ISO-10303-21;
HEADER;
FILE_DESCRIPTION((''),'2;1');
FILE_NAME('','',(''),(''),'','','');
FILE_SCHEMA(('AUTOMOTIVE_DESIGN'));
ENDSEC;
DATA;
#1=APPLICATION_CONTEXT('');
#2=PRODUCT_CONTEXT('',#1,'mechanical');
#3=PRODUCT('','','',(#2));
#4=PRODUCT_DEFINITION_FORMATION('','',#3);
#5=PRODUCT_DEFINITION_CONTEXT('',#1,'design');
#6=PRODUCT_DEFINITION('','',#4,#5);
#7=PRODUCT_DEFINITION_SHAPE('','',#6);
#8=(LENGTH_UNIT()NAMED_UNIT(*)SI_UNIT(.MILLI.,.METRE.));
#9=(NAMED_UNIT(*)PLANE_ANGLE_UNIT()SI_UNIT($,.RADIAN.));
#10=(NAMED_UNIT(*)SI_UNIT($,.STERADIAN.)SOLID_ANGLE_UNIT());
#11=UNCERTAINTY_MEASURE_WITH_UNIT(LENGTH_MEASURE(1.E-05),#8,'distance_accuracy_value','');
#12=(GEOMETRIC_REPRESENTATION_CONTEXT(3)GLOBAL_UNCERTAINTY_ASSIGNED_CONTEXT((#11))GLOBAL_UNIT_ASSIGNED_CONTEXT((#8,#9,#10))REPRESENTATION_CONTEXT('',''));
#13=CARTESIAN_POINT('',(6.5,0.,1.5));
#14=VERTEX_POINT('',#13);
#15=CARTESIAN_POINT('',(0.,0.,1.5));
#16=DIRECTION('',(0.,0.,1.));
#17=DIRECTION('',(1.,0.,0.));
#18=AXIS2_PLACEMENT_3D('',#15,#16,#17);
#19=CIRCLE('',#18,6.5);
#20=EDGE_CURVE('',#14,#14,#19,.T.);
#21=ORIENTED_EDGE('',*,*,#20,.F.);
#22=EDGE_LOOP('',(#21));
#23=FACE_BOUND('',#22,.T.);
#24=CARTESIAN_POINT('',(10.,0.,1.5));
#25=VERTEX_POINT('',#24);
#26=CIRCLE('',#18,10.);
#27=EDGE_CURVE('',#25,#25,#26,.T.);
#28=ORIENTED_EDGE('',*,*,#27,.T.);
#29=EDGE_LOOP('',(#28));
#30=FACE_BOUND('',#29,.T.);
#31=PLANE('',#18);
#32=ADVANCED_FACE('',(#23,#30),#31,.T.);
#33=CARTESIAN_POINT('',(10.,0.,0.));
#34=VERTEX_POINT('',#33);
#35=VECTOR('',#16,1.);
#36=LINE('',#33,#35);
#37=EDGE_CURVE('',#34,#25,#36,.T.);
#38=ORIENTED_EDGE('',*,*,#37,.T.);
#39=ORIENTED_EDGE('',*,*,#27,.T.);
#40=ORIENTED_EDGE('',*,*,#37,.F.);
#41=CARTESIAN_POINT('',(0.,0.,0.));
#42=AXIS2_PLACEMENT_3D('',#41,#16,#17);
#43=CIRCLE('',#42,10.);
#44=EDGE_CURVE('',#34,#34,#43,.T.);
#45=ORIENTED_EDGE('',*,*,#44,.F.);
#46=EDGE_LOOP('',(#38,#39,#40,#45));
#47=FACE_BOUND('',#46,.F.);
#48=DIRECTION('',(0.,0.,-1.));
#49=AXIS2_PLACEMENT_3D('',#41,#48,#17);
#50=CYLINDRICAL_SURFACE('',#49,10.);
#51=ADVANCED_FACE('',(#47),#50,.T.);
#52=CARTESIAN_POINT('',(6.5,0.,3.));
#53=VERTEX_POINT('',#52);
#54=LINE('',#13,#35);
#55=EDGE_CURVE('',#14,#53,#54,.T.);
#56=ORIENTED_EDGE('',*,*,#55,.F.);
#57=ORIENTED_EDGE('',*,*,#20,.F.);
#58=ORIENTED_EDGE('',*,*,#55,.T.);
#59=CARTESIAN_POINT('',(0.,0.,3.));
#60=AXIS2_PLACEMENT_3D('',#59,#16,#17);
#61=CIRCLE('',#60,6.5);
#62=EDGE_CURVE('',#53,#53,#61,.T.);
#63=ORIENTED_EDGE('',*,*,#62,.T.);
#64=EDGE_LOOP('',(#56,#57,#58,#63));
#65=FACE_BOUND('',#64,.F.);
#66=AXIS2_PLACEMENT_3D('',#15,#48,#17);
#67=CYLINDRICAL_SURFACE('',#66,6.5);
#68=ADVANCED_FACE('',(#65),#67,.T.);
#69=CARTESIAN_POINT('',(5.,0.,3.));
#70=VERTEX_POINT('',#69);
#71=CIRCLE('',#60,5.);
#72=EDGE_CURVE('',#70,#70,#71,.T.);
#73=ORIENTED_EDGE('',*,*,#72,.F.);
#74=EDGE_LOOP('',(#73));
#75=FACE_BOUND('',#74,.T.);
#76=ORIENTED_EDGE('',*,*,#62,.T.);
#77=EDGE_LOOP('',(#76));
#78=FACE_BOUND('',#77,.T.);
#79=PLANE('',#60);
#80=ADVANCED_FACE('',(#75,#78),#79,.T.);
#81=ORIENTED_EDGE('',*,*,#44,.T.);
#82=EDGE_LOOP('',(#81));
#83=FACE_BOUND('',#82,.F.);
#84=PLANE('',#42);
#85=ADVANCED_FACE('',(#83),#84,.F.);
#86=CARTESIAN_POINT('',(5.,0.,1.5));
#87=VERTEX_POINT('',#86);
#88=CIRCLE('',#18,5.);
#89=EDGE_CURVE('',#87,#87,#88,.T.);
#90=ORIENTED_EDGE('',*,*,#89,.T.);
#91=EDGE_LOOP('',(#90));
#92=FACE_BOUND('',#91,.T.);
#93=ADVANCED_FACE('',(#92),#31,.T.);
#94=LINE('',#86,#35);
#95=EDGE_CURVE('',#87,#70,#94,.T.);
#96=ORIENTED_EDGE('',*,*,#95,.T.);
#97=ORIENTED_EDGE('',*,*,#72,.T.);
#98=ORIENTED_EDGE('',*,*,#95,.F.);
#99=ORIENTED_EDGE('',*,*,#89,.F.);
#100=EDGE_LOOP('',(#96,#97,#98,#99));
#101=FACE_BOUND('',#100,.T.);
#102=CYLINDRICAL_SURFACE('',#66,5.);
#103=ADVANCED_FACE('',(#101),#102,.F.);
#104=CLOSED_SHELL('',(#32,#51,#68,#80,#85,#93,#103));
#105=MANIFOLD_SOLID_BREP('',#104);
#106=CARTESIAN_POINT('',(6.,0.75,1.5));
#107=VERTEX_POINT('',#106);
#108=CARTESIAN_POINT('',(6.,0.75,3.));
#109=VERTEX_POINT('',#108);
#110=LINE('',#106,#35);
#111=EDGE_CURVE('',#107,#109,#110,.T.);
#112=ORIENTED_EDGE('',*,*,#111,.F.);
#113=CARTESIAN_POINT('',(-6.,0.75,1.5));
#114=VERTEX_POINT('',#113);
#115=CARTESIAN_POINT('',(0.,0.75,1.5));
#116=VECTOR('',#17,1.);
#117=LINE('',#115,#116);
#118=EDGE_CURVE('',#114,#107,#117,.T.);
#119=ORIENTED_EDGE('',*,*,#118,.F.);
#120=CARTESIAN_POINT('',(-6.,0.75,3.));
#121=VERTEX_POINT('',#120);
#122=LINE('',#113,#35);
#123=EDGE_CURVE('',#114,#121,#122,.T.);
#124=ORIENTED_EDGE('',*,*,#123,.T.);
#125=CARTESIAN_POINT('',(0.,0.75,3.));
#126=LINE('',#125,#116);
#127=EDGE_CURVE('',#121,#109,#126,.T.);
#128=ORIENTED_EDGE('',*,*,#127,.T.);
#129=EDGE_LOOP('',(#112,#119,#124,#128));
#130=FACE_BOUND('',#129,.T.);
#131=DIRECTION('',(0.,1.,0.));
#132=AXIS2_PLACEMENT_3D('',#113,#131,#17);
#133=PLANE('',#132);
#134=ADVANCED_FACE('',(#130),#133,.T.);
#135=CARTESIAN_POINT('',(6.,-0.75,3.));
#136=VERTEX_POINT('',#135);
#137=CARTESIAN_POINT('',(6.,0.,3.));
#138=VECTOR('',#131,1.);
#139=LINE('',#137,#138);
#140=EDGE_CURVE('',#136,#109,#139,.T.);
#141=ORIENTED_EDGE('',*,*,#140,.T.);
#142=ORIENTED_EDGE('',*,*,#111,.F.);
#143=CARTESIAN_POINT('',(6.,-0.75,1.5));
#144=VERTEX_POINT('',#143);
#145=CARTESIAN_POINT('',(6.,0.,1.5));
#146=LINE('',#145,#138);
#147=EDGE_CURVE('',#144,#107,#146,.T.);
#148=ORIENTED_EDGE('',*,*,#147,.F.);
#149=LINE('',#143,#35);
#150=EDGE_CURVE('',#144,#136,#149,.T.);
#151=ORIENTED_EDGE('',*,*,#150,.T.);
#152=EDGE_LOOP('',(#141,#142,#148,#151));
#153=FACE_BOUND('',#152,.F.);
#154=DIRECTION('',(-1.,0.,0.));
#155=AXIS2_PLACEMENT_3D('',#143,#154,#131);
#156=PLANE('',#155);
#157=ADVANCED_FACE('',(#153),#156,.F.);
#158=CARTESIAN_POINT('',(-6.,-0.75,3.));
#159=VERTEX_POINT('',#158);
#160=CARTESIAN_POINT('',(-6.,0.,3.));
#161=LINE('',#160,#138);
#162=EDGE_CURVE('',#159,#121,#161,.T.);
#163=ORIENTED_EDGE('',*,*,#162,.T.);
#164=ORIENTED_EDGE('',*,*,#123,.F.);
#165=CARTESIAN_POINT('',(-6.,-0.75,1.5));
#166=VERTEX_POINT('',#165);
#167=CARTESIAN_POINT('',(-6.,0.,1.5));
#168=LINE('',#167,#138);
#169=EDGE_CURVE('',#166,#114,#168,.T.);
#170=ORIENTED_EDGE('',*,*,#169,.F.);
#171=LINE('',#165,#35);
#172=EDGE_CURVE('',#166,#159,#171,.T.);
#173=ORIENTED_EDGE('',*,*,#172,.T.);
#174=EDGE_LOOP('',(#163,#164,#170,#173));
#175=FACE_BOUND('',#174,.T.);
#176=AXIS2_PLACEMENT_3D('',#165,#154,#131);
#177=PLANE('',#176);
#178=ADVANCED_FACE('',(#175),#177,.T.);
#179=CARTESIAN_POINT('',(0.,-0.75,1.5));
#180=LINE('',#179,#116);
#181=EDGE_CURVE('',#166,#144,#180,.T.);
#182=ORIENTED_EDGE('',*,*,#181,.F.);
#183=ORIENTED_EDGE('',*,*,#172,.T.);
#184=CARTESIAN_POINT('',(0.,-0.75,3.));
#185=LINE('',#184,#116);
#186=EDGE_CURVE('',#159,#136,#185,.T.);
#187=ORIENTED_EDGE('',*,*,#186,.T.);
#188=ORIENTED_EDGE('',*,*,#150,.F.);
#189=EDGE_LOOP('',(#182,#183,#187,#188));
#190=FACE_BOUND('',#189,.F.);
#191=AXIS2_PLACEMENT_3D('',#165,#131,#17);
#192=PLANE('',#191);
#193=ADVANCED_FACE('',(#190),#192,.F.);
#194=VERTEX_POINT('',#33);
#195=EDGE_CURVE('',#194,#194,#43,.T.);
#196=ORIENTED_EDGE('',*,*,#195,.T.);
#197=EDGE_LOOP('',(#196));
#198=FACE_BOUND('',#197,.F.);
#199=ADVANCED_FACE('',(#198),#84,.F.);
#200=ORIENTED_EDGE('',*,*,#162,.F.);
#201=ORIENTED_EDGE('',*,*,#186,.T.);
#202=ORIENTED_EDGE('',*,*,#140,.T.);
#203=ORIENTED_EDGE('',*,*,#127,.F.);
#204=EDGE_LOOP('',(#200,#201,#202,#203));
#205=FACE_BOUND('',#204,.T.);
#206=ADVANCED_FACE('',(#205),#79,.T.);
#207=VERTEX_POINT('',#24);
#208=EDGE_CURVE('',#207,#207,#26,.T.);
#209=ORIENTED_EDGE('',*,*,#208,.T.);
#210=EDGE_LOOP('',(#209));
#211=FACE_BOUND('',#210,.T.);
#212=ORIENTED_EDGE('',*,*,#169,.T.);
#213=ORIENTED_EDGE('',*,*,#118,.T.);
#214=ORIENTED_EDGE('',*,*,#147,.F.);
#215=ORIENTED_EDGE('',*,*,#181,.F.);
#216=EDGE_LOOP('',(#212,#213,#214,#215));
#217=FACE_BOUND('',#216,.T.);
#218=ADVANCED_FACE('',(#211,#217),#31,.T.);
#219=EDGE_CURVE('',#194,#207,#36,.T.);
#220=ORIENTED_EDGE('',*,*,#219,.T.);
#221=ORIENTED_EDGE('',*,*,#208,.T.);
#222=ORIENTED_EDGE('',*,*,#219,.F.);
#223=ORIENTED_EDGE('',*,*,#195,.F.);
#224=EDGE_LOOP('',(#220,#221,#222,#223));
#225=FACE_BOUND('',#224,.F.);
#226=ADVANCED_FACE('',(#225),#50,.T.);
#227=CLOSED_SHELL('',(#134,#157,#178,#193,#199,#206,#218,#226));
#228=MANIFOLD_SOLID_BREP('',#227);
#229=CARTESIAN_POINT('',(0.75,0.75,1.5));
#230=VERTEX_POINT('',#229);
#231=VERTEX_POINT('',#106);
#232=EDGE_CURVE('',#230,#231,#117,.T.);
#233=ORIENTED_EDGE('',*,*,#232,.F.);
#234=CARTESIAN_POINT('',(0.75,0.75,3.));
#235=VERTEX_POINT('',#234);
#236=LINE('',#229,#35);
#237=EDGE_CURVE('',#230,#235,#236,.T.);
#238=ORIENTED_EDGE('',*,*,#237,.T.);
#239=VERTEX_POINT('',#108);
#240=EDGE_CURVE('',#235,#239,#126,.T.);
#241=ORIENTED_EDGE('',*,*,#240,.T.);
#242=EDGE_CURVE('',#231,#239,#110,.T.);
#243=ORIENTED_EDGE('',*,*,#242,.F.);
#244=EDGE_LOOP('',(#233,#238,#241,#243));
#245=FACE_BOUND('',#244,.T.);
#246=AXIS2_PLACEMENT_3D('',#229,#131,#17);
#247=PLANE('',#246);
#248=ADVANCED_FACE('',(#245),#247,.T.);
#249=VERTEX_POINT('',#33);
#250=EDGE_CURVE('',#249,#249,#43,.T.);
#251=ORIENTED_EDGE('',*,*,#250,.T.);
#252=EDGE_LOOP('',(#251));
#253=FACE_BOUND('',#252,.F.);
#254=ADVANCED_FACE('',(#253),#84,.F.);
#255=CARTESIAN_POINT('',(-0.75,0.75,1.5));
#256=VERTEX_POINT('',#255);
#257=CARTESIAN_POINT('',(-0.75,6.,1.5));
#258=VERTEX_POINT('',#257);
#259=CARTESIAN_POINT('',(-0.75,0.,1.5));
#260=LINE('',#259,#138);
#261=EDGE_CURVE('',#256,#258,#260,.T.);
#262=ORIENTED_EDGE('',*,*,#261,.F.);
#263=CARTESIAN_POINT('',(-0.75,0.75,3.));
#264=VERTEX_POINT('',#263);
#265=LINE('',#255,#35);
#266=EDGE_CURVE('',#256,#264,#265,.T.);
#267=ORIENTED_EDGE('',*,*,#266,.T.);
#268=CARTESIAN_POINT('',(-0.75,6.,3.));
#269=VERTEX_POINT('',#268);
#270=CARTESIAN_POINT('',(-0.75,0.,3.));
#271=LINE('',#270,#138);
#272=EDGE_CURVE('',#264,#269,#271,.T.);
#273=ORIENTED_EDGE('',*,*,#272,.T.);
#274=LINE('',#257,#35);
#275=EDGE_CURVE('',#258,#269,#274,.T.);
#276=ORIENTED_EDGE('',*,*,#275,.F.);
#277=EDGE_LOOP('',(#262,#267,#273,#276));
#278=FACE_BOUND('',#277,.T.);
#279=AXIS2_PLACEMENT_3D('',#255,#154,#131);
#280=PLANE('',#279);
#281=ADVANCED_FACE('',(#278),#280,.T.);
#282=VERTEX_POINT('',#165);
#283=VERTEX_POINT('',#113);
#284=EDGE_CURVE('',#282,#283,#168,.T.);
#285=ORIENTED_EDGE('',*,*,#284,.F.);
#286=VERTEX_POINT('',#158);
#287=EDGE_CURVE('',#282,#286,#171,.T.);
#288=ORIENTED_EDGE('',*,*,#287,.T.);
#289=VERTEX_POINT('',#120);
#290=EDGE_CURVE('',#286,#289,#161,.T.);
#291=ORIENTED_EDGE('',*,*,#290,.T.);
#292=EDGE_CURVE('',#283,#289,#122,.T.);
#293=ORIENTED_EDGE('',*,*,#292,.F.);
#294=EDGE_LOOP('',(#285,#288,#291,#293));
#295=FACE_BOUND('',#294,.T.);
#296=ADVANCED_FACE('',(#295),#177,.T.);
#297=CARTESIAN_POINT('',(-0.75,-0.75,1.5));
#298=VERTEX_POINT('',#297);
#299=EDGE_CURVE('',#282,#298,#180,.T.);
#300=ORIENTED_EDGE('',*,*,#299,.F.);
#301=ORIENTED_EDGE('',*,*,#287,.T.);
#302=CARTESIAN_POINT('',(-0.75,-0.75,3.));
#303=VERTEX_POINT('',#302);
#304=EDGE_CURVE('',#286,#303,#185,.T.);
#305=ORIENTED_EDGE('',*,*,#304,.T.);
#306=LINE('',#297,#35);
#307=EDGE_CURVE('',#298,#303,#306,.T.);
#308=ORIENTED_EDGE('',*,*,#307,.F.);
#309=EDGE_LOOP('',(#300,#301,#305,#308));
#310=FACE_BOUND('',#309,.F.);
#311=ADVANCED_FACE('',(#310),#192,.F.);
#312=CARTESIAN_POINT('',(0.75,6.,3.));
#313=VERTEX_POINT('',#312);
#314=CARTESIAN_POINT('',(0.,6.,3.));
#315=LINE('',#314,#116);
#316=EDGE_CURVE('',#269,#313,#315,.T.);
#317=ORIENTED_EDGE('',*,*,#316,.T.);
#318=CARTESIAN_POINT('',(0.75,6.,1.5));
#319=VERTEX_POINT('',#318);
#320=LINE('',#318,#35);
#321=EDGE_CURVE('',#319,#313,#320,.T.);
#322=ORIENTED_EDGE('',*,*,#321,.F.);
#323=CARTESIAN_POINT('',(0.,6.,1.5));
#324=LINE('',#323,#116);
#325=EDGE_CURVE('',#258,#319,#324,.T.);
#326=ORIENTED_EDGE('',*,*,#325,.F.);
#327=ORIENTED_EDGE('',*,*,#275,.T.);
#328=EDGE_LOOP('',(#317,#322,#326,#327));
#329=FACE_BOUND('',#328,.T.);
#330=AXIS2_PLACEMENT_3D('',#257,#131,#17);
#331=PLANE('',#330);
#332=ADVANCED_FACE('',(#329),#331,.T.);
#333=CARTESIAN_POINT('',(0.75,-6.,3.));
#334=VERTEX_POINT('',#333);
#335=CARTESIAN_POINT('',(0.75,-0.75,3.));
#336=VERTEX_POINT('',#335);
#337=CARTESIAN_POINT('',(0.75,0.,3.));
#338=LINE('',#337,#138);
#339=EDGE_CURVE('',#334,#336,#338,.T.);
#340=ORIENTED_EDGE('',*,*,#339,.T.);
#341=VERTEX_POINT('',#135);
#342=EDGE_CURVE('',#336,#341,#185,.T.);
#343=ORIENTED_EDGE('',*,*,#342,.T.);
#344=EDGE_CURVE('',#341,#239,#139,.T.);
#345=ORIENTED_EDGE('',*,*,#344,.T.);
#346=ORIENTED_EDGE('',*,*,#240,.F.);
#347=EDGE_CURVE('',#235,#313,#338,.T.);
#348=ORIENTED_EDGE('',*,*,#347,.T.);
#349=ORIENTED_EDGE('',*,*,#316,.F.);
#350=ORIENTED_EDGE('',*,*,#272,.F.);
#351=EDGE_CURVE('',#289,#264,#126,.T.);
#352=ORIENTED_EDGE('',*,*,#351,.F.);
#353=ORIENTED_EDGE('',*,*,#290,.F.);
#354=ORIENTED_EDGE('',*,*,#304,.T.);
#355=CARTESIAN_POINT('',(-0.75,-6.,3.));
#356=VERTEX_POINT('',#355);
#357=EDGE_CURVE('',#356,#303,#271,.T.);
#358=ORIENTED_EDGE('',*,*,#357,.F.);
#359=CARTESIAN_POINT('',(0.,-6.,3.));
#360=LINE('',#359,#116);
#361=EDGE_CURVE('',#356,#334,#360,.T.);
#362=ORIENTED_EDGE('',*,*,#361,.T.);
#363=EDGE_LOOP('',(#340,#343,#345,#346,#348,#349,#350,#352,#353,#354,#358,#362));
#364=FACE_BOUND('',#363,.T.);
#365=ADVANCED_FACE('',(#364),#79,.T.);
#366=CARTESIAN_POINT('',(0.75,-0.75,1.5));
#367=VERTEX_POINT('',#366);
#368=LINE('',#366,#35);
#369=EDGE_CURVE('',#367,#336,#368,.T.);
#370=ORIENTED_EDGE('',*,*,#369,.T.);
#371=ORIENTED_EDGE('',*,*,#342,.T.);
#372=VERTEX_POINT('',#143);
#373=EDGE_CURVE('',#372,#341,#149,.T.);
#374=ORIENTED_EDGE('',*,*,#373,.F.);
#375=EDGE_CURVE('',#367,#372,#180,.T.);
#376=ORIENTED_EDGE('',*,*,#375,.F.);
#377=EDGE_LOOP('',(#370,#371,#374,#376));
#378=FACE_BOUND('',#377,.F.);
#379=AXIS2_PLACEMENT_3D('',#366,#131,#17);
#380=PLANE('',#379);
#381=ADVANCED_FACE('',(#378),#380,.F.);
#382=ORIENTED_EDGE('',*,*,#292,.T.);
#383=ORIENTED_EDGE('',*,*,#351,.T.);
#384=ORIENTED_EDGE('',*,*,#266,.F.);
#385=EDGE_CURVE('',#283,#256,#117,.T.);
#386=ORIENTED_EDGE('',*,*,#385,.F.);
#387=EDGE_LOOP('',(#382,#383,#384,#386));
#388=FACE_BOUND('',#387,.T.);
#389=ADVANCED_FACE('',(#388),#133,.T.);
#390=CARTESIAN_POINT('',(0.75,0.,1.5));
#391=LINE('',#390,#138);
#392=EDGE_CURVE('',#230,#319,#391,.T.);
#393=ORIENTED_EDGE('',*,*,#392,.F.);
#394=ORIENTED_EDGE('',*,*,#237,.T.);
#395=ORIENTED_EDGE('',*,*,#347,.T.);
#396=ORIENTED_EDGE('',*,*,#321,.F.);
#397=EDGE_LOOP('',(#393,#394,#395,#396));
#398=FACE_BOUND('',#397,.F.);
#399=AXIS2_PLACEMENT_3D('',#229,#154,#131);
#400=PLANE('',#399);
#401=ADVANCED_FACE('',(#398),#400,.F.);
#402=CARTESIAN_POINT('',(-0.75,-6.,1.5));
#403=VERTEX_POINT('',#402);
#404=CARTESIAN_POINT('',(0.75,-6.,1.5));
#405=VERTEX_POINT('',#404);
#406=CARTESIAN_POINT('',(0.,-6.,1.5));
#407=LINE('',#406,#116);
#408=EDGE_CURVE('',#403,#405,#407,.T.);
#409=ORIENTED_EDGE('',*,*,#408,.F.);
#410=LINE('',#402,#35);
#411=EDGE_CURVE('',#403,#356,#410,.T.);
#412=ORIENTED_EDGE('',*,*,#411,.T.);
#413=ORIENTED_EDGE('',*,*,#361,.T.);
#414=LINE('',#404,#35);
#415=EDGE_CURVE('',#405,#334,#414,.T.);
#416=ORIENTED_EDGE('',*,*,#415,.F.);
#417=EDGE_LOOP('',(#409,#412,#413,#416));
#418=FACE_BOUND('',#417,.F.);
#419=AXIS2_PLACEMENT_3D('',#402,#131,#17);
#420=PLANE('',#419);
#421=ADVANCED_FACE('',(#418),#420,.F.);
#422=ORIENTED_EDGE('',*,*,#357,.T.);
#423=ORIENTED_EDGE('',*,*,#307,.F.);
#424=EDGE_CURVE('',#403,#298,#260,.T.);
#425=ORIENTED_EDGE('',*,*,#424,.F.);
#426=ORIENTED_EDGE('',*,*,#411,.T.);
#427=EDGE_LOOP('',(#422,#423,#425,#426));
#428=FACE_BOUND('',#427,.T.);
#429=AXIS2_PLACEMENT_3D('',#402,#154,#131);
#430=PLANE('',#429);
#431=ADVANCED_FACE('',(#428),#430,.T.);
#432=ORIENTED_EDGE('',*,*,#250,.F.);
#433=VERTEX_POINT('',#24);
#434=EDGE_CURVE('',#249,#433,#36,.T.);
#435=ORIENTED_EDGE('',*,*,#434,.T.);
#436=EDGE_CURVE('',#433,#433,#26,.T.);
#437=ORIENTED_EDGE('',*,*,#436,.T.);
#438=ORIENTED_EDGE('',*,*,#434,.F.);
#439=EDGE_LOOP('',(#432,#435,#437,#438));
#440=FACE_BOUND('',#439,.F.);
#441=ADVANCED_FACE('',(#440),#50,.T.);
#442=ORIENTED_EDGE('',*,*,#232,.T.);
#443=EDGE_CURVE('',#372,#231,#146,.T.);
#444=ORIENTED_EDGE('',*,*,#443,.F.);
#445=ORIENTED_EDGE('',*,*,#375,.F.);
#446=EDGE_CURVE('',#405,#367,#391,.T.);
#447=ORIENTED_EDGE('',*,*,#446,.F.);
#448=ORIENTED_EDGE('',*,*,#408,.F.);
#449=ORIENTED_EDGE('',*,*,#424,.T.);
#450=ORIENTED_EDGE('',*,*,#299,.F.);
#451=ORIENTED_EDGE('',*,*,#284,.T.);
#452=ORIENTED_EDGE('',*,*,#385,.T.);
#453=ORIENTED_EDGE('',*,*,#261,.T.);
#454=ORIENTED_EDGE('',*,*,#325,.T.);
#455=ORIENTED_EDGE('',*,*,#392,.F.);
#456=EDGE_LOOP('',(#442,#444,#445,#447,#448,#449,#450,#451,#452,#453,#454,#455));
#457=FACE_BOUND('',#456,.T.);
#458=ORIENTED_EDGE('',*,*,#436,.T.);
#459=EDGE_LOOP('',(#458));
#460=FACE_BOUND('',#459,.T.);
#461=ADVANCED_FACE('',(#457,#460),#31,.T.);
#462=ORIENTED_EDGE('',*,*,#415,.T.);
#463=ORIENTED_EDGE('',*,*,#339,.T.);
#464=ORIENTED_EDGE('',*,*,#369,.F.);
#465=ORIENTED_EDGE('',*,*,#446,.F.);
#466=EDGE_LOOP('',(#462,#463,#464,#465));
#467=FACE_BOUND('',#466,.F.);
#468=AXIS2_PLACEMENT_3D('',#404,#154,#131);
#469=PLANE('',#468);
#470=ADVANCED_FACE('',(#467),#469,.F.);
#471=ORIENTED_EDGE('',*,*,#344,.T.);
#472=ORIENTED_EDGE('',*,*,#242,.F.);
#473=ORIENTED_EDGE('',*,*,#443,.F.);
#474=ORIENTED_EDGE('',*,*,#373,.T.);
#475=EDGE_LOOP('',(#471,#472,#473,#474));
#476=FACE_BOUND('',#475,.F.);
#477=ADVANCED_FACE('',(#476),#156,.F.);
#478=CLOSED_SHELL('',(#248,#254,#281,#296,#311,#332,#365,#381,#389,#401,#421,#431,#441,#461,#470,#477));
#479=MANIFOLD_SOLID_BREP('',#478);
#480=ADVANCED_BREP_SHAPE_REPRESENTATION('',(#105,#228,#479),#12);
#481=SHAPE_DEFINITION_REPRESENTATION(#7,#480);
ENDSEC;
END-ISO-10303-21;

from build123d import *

# Parameters (mm, degrees)
SKETCH_R      = 10
PAD_DEPTH     = 1.5
SKETCH001_W   = 12
SKETCH001_H   = 1.5
SKETCH001_W_2 = 1.5
SKETCH001_H_2 = 12
PAD001_DEPTH  = 1.5
SKETCH002_R   = 10
PAD002_DEPTH  = 1.5
SKETCH003_W   = 12
SKETCH003_H   = 1.5
PAD003_DEPTH  = 1.5
SKETCH004_R   = 10
PAD004_DEPTH  = 1.5
SKETCH005_R   = 6.5
SKETCH005_R_2 = 5
PAD005_DEPTH  = 1.5


with BuildPart() as yaycoin:
    # Sketch → Pad (new body)
    with BuildSketch(Plane.XY):
        Circle(SKETCH_R)
    extrude(amount=PAD_DEPTH)

    # Sketch001 (on Face3 of Pad) → Pad001 (join)
    with BuildSketch(Plane.XY.offset(1.5)):
        Rectangle(SKETCH001_W, SKETCH001_H)
        Rectangle(SKETCH001_W_2, SKETCH001_H_2)
    extrude(amount=PAD001_DEPTH)


with BuildPart() as naycoin:
    # Sketch002 → Pad002 (new body)
    with BuildSketch(Plane.XY):
        Circle(SKETCH002_R)
    extrude(amount=PAD002_DEPTH)

    # Sketch003 (on Face3 of Pad002) → Pad003 (join)
    with BuildSketch(Plane.XY.offset(1.5)):
        Rectangle(SKETCH003_W, SKETCH003_H)
    extrude(amount=PAD003_DEPTH)


with BuildPart() as abstaincoin:
    # Sketch004 → Pad004 (new body)
    with BuildSketch(Plane.XY):
        Circle(SKETCH004_R)
    extrude(amount=PAD004_DEPTH)

    # Sketch005 (on Face3 of Pad004) → Pad005 (join)
    with BuildSketch(Plane.XY.offset(1.5)):
        Circle(SKETCH005_R)
        Circle(SKETCH005_R_2, mode=Mode.SUBTRACT)
    extrude(amount=PAD005_DEPTH)


solid = Compound([yaycoin.part, naycoin.part, abstaincoin.part])
